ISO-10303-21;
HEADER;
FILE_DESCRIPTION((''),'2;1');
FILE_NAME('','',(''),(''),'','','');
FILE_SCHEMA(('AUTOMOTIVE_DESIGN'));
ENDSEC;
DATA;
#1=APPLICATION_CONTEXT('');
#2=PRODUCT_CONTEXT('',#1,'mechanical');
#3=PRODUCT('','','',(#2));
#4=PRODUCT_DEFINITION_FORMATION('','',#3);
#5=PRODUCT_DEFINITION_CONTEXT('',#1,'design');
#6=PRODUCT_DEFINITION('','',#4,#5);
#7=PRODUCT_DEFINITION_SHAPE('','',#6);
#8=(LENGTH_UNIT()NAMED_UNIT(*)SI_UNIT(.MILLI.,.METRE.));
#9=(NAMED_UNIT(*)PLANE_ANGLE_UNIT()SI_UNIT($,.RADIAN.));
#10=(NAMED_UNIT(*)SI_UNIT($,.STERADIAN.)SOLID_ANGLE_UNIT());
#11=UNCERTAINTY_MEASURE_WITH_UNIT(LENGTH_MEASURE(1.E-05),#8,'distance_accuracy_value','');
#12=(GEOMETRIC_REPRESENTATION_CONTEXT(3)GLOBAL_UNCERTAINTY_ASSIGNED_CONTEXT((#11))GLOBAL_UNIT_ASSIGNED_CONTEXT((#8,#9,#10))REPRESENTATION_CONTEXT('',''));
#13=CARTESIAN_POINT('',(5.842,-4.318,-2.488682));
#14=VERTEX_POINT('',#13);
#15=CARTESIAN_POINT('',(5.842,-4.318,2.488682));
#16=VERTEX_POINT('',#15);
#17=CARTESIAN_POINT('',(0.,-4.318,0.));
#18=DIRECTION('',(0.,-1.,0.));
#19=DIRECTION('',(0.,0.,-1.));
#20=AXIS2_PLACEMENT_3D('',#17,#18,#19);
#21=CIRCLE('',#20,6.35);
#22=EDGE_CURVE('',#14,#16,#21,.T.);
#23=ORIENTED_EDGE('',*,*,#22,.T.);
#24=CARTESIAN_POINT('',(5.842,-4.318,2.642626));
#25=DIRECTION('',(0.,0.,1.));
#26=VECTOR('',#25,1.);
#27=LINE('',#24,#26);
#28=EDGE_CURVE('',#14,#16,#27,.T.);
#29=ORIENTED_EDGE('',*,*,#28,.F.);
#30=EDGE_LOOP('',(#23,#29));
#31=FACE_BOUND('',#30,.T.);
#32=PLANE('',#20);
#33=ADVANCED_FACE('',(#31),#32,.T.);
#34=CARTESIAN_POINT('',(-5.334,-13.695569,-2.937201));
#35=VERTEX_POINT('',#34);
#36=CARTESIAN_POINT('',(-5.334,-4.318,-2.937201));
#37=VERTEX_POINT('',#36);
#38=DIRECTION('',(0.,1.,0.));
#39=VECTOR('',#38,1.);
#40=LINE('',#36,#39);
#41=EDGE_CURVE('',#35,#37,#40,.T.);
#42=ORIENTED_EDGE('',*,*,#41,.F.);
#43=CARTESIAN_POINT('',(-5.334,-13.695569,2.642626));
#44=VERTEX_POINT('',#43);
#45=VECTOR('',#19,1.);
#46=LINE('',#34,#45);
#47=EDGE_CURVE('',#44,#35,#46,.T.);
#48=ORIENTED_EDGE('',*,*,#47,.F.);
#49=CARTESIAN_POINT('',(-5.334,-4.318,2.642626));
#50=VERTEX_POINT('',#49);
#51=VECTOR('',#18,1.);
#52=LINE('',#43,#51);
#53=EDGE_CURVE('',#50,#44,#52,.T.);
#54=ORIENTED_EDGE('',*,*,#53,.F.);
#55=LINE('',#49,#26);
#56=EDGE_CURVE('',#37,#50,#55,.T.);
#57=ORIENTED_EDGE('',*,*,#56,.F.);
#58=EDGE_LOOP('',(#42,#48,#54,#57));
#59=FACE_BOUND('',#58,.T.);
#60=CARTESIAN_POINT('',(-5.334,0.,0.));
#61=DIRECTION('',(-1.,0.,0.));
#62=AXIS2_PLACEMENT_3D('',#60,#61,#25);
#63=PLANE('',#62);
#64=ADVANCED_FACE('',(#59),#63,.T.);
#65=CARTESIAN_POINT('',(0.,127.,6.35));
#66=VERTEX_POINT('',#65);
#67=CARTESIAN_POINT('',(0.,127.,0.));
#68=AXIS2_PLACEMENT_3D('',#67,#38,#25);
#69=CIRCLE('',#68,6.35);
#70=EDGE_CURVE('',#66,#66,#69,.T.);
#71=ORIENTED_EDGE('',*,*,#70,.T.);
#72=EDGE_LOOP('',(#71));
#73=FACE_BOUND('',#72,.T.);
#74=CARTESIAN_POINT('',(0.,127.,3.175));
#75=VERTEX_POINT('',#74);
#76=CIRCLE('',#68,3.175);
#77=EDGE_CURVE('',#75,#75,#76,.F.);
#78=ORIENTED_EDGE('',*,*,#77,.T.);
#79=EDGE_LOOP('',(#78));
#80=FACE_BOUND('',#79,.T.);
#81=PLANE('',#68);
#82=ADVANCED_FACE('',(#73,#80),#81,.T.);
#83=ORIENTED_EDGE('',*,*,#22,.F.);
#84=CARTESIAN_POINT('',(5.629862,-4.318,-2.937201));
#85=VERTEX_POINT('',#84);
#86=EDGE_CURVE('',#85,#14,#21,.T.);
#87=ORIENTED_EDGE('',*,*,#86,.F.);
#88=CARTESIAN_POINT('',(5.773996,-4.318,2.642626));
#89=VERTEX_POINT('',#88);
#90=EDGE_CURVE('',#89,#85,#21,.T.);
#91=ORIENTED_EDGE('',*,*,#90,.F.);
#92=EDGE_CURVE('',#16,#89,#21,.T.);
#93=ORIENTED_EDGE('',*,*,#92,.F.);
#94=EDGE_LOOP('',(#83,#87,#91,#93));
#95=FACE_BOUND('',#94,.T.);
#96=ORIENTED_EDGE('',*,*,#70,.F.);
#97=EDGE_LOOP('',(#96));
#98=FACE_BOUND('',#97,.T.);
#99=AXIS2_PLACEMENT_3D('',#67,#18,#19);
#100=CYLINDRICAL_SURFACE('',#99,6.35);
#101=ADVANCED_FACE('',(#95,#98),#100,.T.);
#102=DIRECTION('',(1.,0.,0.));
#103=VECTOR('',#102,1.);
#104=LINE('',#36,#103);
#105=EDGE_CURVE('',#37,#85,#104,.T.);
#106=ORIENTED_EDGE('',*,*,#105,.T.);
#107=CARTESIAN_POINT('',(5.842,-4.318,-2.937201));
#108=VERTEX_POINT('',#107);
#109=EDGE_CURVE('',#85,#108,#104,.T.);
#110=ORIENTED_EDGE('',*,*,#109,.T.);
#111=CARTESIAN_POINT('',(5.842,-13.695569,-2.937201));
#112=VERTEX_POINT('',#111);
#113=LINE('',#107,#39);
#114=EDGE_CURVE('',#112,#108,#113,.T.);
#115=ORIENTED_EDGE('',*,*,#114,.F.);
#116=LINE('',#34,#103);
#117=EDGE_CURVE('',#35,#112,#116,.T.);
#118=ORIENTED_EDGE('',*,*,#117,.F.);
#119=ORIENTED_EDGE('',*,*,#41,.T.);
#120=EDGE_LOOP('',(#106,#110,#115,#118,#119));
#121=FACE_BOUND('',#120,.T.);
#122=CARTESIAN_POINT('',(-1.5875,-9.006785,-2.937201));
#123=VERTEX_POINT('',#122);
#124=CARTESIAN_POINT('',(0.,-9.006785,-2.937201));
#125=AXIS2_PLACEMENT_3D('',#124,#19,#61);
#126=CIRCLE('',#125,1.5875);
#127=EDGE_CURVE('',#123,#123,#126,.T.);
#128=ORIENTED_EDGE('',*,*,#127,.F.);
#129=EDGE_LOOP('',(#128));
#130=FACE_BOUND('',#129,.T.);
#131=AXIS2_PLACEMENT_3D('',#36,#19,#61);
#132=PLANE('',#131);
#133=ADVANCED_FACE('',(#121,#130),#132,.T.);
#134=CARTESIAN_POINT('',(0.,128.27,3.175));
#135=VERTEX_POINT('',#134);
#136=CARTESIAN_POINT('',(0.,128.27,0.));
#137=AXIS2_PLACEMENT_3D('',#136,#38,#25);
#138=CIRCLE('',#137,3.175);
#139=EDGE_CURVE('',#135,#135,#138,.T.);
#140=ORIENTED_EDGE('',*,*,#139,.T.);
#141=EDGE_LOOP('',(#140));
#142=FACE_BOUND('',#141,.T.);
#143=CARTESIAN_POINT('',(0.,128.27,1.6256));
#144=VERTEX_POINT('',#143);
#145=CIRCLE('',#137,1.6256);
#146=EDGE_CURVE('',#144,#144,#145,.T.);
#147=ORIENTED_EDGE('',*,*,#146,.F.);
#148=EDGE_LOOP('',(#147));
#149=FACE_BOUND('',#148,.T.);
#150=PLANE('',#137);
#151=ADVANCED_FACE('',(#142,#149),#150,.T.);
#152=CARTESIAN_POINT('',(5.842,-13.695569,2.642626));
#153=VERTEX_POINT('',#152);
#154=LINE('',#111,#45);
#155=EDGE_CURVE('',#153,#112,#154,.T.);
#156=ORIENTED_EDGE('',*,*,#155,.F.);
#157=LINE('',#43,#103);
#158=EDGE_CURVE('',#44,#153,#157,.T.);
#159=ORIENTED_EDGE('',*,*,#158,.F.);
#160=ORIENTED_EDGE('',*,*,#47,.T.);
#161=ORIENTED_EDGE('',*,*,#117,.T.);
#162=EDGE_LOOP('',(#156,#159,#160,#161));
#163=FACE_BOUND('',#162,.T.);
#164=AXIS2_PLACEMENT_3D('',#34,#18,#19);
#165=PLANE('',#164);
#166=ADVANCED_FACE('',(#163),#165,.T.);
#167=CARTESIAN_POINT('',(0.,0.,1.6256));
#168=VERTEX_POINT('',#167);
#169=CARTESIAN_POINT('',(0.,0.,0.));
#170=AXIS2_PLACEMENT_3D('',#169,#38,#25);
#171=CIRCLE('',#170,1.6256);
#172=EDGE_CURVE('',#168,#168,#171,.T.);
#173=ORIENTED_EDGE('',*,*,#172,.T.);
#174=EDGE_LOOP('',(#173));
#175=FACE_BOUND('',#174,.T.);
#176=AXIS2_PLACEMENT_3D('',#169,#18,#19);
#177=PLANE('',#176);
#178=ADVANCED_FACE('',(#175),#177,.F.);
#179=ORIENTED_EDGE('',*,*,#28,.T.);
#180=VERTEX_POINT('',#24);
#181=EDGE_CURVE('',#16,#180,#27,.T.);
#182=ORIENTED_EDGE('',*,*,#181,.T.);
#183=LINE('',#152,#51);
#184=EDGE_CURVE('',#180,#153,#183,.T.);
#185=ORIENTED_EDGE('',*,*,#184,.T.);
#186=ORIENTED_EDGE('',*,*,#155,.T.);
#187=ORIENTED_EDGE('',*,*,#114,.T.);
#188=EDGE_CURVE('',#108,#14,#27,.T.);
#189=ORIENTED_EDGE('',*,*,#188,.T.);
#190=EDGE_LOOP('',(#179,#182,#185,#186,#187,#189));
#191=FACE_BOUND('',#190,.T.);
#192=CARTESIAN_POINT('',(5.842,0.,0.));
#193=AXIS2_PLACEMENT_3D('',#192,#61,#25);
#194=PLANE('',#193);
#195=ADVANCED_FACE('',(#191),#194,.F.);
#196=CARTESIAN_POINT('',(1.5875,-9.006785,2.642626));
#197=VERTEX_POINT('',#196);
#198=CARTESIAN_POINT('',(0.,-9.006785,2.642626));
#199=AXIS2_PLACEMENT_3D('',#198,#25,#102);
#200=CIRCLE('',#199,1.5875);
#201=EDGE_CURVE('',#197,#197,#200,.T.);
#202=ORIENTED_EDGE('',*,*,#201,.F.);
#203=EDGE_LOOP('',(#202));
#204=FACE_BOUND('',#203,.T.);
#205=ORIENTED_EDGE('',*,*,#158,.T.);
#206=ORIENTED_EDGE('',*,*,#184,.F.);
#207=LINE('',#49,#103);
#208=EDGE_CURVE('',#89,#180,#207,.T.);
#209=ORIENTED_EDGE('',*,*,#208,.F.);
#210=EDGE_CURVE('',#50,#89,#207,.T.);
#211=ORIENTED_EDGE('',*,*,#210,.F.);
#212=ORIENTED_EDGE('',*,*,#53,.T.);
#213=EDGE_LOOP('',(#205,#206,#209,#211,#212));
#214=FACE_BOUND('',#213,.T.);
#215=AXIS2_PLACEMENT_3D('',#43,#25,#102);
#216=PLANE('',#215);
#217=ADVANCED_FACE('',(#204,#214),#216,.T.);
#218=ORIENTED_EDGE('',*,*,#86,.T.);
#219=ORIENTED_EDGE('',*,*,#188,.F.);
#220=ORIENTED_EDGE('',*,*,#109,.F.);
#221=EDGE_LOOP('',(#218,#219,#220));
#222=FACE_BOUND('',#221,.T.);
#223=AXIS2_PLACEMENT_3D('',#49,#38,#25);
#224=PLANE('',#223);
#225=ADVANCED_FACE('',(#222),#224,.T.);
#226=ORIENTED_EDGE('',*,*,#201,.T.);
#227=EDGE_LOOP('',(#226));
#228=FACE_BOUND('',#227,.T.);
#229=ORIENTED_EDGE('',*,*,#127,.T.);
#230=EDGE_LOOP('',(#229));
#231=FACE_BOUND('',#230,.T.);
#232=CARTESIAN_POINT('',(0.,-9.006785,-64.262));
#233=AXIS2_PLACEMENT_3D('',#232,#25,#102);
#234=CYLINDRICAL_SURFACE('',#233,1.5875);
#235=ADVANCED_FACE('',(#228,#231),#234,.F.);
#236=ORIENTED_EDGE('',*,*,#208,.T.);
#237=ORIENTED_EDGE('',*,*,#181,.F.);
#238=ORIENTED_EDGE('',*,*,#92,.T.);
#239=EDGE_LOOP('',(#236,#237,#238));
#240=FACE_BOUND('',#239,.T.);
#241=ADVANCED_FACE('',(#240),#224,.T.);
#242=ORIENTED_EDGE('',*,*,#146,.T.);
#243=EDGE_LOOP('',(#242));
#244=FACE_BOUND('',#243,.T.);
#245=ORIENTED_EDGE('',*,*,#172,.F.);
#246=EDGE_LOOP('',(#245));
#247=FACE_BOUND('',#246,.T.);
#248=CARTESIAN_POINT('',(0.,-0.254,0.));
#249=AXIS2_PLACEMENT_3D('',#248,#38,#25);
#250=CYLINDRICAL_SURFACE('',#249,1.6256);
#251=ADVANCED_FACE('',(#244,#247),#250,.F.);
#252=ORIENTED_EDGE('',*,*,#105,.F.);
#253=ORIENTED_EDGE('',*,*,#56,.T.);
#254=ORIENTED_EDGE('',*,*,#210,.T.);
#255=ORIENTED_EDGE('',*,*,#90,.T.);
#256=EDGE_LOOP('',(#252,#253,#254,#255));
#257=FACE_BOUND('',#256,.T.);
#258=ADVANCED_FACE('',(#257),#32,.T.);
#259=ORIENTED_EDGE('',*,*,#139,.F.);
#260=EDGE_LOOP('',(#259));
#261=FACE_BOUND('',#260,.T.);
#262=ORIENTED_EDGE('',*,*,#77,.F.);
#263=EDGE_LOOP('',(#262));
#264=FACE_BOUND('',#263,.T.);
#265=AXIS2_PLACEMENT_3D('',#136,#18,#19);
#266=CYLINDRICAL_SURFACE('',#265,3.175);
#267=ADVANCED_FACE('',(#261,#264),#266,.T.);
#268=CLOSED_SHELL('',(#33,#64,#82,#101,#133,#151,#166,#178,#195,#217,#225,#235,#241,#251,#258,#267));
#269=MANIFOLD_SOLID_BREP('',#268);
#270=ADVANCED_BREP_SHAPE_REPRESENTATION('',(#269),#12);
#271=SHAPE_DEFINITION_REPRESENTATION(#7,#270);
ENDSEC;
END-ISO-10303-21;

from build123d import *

# Parameters (mm, degrees)
CROQUIS1_R                   = 6.35
SALIENTE_EXTRUIR1_DEPTH      = 127
CROQUIS2_R                   = 3.175
SALIENTE_EXTRUIR2_DEPTH      = 128.27
CROQUIS3_R                   = 1.6256
CORTAR_EXTRUIR1_DEPTH        = 135.128
CORTAR_EXTRUIR1_DEPTH_BACK   = 0.254
CROQUIS4_R                   = 6.35
SALIENTE_EXTRUIR3_DEPTH      = 4.318
CROQUIS5_W                   = 5.579827166
CROQUIS5_H                   = 9.377569363
SALIENTE_EXTRUIR5_DEPTH      = 5.842
SALIENTE_EXTRUIR5_DEPTH_BACK = 5.334
CROQUIS8_R                   = 1.5875
CORTAR_EXTRUIR2_DEPTH        = 23.876
CORTAR_EXTRUIR2_DEPTH_BACK   = 64.262


with BuildPart() as part:
    # Croquis1 → Saliente-Extruir1 (new body)
    with BuildSketch(Plane(origin=(0, 0, 0), x_dir=(1, 0, 0), z_dir=(0, 1, 0))):
        Circle(CROQUIS1_R)
    extrude(amount=SALIENTE_EXTRUIR1_DEPTH)

    # Croquis2 → Saliente-Extruir2 (add)
    with BuildSketch(Plane(origin=(0, 0, 0), x_dir=(1, 0, 0), z_dir=(0, 1, 0))):
        Circle(CROQUIS2_R)
    extrude(amount=SALIENTE_EXTRUIR2_DEPTH)

    # Croquis3 → Cortar-Extruir1 (cut, two sides)
    with BuildSketch(Plane(origin=(0, 0, 0), x_dir=(1, 0, 0), z_dir=(0, 1, 0))) as cortar_extruir1_sk:
        Circle(CROQUIS3_R)
    extrude(amount=CORTAR_EXTRUIR1_DEPTH, mode=Mode.SUBTRACT)
    extrude(cortar_extruir1_sk.sketch, amount=-CORTAR_EXTRUIR1_DEPTH_BACK, mode=Mode.SUBTRACT)

    # Croquis4 → Saliente-Extruir3 (add)
    with BuildSketch(Plane(origin=(0, 0, 0), x_dir=(-1, 0, 0), z_dir=(0, -1, 0))):
        Circle(CROQUIS4_R)
    extrude(amount=SALIENTE_EXTRUIR3_DEPTH)

    # Croquis5 → Saliente-Extruir5 (add, two sides)
    with BuildSketch(Plane(origin=(0, 0, 0), x_dir=(0, 0, -1), z_dir=(1, 0, 0))) as saliente_extruir5_sk:
        with Locations((0.147287334, -9.006784682)):
            Rectangle(CROQUIS5_W, CROQUIS5_H)
    extrude(amount=SALIENTE_EXTRUIR5_DEPTH)
    extrude(saliente_extruir5_sk.sketch, amount=-SALIENTE_EXTRUIR5_DEPTH_BACK)

    # Croquis8 → Cortar-Extruir2 (cut, two sides)
    with BuildSketch(Plane.XY) as cortar_extruir2_sk:
        with Locations((0, -9.006784681)):
            Circle(CROQUIS8_R)
    extrude(amount=CORTAR_EXTRUIR2_DEPTH, mode=Mode.SUBTRACT)
    extrude(cortar_extruir2_sk.sketch, amount=-CORTAR_EXTRUIR2_DEPTH_BACK, mode=Mode.SUBTRACT)


solid = part.part
